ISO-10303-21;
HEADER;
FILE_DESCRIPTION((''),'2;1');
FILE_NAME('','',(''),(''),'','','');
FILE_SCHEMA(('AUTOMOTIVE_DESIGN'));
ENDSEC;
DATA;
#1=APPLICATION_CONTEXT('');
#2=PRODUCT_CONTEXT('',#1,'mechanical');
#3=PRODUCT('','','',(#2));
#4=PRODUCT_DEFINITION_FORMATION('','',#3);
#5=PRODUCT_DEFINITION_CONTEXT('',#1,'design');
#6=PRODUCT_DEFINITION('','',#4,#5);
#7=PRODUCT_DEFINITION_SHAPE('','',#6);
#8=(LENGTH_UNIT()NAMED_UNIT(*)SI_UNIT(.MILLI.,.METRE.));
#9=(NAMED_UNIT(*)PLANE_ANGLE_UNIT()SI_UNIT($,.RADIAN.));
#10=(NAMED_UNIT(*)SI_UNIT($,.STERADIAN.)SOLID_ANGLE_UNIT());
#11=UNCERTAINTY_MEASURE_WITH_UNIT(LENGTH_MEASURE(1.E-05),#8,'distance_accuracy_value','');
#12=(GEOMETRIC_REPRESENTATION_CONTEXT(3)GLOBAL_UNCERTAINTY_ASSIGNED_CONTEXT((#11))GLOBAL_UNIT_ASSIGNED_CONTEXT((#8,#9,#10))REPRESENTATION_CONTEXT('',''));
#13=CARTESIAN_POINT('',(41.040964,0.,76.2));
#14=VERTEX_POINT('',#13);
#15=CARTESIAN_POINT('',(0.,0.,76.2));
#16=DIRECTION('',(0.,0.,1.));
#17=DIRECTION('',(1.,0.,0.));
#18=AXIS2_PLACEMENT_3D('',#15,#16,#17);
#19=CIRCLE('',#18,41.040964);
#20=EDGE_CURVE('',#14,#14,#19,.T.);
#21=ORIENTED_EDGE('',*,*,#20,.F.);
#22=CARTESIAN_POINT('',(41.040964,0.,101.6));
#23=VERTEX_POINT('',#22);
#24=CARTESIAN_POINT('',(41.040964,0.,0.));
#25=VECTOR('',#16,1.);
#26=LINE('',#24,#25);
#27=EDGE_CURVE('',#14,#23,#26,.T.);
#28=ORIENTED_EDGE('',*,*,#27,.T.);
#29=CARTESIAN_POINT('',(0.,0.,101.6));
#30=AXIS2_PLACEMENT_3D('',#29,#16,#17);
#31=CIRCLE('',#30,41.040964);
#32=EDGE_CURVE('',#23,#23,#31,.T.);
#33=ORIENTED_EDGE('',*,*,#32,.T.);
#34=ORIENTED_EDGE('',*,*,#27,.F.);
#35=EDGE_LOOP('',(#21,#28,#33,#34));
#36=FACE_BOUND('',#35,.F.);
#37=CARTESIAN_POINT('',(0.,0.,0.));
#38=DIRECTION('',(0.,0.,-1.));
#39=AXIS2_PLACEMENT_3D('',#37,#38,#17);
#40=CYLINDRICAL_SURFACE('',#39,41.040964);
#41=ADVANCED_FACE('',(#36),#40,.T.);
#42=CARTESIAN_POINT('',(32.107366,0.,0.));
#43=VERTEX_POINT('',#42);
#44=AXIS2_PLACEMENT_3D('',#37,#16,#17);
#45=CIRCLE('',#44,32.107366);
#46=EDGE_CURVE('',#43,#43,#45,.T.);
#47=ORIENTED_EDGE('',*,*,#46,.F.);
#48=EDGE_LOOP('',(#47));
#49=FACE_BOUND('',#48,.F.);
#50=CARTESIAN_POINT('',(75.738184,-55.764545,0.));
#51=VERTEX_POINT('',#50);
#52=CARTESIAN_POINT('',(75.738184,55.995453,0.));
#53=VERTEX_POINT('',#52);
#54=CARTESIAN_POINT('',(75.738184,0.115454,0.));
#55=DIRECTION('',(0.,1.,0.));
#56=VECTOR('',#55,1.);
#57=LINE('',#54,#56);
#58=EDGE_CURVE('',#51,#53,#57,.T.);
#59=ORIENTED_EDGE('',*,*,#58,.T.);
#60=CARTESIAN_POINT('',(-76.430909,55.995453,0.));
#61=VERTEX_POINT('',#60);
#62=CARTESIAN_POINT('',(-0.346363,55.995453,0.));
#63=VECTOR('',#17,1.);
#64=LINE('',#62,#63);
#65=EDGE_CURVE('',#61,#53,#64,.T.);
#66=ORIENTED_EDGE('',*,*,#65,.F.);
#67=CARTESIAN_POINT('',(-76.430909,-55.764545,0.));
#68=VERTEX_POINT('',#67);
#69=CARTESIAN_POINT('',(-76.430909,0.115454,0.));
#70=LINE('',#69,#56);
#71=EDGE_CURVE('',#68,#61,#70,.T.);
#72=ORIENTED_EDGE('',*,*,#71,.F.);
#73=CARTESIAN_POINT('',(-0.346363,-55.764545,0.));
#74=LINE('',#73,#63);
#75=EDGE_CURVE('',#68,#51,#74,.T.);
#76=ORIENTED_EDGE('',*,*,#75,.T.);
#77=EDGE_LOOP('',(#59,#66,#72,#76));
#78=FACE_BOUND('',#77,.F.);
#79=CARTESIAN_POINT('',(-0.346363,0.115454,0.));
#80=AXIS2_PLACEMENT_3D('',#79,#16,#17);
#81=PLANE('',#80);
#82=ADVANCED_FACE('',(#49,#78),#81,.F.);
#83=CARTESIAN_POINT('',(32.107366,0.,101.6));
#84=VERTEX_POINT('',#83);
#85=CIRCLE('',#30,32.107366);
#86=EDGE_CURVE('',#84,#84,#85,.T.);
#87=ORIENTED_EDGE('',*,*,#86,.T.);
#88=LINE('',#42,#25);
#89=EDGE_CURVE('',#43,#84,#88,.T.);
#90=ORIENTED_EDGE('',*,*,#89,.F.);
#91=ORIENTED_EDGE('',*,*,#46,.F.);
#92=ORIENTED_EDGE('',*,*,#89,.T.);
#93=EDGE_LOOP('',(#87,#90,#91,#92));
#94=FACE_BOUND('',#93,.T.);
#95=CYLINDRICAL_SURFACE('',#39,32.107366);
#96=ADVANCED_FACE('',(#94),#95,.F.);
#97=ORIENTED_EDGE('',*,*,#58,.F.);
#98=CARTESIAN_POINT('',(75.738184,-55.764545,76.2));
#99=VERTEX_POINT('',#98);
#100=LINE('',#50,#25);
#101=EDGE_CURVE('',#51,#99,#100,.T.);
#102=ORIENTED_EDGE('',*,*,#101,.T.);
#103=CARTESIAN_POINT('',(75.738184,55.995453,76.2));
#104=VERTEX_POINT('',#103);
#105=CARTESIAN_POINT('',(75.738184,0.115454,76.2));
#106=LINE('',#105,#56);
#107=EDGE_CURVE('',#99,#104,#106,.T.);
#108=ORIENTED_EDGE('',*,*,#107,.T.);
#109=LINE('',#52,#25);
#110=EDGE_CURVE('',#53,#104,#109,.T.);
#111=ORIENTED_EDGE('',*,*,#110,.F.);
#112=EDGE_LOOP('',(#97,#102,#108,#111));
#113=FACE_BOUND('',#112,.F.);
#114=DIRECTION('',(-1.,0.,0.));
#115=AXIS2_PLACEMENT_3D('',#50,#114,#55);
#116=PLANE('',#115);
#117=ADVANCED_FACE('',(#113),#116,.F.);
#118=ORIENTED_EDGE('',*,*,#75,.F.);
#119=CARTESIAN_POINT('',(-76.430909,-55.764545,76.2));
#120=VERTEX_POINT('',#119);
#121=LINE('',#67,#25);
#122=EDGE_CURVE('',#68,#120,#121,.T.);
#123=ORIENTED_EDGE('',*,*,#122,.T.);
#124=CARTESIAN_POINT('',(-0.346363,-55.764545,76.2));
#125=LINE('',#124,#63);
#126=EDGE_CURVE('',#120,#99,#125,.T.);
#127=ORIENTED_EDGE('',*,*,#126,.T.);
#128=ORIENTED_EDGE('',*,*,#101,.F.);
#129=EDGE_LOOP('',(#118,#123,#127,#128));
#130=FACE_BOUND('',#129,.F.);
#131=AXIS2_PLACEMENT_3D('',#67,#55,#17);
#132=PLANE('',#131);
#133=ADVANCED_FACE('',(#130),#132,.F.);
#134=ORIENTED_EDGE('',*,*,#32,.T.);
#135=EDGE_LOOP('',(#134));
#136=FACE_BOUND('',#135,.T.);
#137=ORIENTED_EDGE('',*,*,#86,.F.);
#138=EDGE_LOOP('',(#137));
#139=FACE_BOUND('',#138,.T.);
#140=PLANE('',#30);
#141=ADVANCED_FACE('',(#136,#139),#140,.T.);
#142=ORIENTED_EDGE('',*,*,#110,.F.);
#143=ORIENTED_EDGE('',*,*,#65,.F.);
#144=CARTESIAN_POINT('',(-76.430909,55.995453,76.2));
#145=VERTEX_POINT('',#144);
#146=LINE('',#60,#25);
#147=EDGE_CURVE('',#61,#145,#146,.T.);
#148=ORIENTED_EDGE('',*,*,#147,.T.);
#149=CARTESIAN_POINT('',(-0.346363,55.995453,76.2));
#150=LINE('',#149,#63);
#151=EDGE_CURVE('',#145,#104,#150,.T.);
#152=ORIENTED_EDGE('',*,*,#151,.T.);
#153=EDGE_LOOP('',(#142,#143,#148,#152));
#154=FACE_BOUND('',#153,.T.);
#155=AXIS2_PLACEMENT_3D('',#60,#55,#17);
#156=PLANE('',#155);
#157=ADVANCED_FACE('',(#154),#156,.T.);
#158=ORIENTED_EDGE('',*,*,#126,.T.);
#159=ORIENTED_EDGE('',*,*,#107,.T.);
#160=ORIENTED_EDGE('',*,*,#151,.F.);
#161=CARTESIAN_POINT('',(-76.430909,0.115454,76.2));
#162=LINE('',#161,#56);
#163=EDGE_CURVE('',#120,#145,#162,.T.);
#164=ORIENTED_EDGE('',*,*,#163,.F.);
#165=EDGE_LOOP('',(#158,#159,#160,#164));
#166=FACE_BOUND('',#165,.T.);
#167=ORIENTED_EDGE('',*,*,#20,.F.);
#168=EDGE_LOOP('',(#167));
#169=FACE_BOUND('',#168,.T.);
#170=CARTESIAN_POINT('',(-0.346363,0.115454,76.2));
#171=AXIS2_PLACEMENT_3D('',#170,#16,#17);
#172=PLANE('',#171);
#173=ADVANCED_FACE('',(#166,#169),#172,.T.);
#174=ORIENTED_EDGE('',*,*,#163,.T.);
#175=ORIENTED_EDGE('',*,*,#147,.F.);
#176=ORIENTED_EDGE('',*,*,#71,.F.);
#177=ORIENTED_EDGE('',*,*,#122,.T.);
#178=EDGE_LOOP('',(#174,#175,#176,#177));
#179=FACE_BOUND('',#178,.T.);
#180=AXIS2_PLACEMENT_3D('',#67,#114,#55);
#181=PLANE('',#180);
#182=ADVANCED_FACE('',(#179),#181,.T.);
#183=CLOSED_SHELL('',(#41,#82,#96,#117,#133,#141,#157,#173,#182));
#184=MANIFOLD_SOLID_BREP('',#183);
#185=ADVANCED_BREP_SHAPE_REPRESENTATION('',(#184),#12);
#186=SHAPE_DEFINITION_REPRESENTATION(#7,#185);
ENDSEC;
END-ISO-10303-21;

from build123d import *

# Parameters (mm, degrees)
F0_R     = 41.040964
F0_R_2   = 32.107366
F1_DEPTH = 101.6
F0_W     = 152.169093
F0_H     = 111.759998
F2_DEPTH = 76.2


with BuildPart() as f1:
    # F0 (on Top) → F1 (new body)
    with BuildSketch(Plane.XY):
        Circle(F0_R)
        Circle(F0_R_2, mode=Mode.SUBTRACT)
    extrude(amount=F1_DEPTH)

    # F0 (on Top) → F2 (join)
    with BuildSketch(Plane.XY):
        with Locations((-0.346363, 0.115454)):
            Rectangle(F0_W, F0_H)
        Circle(F0_R, mode=Mode.SUBTRACT)
    extrude(amount=F2_DEPTH)


solid = f1.part
